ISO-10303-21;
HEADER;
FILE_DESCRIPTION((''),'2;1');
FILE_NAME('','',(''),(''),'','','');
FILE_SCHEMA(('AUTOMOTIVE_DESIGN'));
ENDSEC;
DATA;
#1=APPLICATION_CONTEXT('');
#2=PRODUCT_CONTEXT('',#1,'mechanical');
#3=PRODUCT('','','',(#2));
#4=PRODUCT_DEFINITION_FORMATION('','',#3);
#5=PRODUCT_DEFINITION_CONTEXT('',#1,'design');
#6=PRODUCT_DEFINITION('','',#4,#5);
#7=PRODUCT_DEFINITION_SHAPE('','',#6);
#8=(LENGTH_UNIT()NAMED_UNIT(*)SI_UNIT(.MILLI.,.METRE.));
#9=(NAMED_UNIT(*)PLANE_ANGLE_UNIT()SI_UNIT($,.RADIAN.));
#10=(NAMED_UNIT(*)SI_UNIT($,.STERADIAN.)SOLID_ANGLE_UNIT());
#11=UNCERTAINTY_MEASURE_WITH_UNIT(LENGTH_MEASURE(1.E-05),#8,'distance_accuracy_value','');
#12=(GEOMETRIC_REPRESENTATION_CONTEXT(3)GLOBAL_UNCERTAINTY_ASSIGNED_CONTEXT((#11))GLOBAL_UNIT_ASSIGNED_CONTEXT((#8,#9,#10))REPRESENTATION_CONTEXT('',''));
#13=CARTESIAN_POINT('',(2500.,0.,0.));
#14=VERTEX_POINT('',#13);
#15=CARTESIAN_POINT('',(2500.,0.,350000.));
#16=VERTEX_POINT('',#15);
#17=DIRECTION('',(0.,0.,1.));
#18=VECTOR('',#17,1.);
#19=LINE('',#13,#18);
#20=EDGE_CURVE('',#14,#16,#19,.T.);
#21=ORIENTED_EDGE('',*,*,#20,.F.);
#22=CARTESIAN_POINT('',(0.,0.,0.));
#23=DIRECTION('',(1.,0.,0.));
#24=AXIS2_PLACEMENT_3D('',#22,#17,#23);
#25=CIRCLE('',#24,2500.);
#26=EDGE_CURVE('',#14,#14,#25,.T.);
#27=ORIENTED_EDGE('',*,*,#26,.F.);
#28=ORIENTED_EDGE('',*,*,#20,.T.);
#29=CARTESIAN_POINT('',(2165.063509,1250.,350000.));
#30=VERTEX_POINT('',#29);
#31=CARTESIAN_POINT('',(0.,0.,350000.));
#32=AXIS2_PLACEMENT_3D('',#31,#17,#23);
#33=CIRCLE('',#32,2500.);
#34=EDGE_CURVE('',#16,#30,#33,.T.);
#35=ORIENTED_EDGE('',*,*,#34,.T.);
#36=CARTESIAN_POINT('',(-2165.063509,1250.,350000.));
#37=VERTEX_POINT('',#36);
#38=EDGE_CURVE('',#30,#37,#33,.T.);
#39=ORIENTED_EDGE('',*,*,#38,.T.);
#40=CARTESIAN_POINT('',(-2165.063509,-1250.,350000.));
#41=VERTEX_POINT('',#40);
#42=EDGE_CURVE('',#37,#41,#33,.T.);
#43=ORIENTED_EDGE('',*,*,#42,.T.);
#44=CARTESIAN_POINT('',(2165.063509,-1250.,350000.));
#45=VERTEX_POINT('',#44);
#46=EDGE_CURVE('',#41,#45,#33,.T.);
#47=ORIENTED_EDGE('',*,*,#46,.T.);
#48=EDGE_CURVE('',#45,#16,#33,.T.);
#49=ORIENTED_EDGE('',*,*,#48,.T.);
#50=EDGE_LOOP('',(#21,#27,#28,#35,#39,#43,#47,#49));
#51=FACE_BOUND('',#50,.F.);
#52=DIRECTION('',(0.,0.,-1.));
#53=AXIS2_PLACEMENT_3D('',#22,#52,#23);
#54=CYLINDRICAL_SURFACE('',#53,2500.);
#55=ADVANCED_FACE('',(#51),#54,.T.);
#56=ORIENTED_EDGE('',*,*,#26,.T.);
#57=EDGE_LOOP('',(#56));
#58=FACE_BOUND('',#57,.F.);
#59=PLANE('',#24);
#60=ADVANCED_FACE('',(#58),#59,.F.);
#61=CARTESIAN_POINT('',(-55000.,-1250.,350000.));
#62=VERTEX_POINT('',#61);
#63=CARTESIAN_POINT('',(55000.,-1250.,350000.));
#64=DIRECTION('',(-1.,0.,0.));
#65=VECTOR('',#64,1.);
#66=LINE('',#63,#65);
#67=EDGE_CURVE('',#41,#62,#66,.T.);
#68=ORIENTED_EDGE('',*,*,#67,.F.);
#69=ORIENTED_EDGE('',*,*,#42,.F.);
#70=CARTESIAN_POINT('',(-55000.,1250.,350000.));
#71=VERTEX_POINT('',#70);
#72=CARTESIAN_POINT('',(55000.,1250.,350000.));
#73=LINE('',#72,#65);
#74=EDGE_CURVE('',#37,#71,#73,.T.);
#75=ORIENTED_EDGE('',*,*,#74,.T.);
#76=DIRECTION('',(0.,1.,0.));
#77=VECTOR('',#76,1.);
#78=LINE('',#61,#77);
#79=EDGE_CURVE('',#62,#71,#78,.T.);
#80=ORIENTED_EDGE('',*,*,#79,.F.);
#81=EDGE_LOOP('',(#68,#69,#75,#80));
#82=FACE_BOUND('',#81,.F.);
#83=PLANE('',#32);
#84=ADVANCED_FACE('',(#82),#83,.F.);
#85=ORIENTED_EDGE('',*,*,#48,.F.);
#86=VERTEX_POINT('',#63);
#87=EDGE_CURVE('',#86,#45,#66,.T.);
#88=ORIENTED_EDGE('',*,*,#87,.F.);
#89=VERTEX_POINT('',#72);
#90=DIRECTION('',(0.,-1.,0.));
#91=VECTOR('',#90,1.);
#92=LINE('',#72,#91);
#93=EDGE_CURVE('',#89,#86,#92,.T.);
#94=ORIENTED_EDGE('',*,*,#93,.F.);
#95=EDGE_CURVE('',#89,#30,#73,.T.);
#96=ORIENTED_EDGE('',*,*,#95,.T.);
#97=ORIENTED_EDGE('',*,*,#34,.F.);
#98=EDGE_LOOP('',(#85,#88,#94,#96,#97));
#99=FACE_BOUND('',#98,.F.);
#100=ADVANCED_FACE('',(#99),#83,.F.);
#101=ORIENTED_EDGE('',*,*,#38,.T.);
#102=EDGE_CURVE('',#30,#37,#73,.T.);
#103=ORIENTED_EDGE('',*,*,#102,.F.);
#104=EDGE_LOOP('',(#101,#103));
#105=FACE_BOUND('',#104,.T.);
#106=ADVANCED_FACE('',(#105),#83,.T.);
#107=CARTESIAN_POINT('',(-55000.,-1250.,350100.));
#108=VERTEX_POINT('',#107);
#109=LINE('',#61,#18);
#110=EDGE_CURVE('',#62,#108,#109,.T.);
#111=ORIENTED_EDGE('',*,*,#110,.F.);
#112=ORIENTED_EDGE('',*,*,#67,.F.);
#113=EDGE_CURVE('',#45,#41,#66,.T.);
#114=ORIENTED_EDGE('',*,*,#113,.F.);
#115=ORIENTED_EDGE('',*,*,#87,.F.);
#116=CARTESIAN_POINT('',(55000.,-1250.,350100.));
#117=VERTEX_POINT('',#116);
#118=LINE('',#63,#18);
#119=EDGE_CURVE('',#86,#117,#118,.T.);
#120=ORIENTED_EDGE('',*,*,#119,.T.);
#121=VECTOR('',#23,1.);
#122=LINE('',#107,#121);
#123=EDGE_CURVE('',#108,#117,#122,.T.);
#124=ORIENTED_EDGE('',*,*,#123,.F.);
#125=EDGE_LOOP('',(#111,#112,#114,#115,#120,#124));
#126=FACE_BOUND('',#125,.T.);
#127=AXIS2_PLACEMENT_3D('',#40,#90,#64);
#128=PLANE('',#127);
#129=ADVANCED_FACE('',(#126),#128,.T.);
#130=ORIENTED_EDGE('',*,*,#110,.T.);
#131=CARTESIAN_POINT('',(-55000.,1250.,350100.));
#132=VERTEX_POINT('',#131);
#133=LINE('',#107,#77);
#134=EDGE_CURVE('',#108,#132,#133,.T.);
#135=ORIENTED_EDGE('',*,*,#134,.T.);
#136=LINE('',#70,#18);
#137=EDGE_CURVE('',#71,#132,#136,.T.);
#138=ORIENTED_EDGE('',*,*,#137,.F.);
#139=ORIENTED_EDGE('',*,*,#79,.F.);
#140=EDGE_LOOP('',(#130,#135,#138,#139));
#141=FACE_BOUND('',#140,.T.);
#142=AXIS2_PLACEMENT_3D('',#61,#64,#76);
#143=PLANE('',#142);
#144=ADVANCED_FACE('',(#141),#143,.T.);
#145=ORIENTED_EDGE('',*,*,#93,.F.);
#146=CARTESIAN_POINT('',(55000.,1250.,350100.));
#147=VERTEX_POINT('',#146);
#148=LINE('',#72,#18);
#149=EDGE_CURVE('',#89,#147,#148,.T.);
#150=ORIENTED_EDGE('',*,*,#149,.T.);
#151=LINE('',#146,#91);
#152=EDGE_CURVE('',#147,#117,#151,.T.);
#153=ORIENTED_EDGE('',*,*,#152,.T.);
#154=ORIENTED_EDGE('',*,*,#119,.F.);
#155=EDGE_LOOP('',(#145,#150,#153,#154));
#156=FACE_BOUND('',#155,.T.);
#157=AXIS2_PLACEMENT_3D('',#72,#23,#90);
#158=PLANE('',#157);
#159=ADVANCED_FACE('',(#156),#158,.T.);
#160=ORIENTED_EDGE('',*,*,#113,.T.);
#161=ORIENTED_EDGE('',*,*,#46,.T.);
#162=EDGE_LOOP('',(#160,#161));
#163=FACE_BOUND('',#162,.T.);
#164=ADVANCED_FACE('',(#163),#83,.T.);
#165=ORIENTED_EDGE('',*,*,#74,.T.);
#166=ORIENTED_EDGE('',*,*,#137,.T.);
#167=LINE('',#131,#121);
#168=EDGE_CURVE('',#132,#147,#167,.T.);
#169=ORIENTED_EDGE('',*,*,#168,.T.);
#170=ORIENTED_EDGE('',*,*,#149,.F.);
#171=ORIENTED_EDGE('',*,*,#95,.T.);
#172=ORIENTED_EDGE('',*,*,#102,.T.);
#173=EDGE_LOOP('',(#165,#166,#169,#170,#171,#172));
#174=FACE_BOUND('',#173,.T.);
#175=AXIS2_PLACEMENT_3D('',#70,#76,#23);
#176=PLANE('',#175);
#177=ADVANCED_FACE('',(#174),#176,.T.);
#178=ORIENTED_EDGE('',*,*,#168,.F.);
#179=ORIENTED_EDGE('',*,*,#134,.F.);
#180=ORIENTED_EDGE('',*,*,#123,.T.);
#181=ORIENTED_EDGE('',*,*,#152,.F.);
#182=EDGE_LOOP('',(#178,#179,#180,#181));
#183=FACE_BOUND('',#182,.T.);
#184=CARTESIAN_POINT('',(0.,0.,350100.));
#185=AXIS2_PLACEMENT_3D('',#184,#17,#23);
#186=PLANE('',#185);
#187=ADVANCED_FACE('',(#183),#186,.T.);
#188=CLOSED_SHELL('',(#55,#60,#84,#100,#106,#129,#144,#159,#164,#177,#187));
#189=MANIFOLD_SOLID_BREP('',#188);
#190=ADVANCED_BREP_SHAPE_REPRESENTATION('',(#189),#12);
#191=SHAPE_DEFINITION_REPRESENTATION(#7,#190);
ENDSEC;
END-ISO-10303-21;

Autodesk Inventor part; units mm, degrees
ref_plane "YZ Plane" through (0, 0, 0) normal (1, 0, 0) x (0, 1, 0)
ref_plane "XZ Plane" through (0, 0, 0) normal (0, 1, 0) x (-1, 0, 0)
ref_plane "XY Plane" through (0, 0, 0) normal (0, 0, 1) x (1, 0, 0)
sketch "Sketch1" plane through (0, 0, 0) normal (0, 0, 1) x (1, 0, 0)
  circle A0 centre (0, 0) radius 2500
  dimension "d0" = 5000
extrude "Extrusion1" add sketch "Sketch1" along normal blind 350000
sketch "Sketch2" plane through (0, 0, 350000) normal (0, 0, 1) x (1, 0, 0)
  line L0 (-55000, 1250) -> (55000, 1250)
  line L1 (55000, 1250) -> (55000, -1250)
  line L2 (55000, -1250) -> (-55000, -1250)
  line L3 (-55000, -1250) -> (-55000, 1250)
  circle A0 centre (0, 0) radius 2500 projected
  point P0 (0, 1250)
  dimension "d3" = 110000
  dimension "d4" = 2500
  dimension "d5" = 1250
extrude "Extrusion2" add sketch "Sketch2" along normal blind 100 contours L0 A0 L2 L3 | L0 A0 L2 | L0 L1 L2 A0
properties part number "Long Rod"
